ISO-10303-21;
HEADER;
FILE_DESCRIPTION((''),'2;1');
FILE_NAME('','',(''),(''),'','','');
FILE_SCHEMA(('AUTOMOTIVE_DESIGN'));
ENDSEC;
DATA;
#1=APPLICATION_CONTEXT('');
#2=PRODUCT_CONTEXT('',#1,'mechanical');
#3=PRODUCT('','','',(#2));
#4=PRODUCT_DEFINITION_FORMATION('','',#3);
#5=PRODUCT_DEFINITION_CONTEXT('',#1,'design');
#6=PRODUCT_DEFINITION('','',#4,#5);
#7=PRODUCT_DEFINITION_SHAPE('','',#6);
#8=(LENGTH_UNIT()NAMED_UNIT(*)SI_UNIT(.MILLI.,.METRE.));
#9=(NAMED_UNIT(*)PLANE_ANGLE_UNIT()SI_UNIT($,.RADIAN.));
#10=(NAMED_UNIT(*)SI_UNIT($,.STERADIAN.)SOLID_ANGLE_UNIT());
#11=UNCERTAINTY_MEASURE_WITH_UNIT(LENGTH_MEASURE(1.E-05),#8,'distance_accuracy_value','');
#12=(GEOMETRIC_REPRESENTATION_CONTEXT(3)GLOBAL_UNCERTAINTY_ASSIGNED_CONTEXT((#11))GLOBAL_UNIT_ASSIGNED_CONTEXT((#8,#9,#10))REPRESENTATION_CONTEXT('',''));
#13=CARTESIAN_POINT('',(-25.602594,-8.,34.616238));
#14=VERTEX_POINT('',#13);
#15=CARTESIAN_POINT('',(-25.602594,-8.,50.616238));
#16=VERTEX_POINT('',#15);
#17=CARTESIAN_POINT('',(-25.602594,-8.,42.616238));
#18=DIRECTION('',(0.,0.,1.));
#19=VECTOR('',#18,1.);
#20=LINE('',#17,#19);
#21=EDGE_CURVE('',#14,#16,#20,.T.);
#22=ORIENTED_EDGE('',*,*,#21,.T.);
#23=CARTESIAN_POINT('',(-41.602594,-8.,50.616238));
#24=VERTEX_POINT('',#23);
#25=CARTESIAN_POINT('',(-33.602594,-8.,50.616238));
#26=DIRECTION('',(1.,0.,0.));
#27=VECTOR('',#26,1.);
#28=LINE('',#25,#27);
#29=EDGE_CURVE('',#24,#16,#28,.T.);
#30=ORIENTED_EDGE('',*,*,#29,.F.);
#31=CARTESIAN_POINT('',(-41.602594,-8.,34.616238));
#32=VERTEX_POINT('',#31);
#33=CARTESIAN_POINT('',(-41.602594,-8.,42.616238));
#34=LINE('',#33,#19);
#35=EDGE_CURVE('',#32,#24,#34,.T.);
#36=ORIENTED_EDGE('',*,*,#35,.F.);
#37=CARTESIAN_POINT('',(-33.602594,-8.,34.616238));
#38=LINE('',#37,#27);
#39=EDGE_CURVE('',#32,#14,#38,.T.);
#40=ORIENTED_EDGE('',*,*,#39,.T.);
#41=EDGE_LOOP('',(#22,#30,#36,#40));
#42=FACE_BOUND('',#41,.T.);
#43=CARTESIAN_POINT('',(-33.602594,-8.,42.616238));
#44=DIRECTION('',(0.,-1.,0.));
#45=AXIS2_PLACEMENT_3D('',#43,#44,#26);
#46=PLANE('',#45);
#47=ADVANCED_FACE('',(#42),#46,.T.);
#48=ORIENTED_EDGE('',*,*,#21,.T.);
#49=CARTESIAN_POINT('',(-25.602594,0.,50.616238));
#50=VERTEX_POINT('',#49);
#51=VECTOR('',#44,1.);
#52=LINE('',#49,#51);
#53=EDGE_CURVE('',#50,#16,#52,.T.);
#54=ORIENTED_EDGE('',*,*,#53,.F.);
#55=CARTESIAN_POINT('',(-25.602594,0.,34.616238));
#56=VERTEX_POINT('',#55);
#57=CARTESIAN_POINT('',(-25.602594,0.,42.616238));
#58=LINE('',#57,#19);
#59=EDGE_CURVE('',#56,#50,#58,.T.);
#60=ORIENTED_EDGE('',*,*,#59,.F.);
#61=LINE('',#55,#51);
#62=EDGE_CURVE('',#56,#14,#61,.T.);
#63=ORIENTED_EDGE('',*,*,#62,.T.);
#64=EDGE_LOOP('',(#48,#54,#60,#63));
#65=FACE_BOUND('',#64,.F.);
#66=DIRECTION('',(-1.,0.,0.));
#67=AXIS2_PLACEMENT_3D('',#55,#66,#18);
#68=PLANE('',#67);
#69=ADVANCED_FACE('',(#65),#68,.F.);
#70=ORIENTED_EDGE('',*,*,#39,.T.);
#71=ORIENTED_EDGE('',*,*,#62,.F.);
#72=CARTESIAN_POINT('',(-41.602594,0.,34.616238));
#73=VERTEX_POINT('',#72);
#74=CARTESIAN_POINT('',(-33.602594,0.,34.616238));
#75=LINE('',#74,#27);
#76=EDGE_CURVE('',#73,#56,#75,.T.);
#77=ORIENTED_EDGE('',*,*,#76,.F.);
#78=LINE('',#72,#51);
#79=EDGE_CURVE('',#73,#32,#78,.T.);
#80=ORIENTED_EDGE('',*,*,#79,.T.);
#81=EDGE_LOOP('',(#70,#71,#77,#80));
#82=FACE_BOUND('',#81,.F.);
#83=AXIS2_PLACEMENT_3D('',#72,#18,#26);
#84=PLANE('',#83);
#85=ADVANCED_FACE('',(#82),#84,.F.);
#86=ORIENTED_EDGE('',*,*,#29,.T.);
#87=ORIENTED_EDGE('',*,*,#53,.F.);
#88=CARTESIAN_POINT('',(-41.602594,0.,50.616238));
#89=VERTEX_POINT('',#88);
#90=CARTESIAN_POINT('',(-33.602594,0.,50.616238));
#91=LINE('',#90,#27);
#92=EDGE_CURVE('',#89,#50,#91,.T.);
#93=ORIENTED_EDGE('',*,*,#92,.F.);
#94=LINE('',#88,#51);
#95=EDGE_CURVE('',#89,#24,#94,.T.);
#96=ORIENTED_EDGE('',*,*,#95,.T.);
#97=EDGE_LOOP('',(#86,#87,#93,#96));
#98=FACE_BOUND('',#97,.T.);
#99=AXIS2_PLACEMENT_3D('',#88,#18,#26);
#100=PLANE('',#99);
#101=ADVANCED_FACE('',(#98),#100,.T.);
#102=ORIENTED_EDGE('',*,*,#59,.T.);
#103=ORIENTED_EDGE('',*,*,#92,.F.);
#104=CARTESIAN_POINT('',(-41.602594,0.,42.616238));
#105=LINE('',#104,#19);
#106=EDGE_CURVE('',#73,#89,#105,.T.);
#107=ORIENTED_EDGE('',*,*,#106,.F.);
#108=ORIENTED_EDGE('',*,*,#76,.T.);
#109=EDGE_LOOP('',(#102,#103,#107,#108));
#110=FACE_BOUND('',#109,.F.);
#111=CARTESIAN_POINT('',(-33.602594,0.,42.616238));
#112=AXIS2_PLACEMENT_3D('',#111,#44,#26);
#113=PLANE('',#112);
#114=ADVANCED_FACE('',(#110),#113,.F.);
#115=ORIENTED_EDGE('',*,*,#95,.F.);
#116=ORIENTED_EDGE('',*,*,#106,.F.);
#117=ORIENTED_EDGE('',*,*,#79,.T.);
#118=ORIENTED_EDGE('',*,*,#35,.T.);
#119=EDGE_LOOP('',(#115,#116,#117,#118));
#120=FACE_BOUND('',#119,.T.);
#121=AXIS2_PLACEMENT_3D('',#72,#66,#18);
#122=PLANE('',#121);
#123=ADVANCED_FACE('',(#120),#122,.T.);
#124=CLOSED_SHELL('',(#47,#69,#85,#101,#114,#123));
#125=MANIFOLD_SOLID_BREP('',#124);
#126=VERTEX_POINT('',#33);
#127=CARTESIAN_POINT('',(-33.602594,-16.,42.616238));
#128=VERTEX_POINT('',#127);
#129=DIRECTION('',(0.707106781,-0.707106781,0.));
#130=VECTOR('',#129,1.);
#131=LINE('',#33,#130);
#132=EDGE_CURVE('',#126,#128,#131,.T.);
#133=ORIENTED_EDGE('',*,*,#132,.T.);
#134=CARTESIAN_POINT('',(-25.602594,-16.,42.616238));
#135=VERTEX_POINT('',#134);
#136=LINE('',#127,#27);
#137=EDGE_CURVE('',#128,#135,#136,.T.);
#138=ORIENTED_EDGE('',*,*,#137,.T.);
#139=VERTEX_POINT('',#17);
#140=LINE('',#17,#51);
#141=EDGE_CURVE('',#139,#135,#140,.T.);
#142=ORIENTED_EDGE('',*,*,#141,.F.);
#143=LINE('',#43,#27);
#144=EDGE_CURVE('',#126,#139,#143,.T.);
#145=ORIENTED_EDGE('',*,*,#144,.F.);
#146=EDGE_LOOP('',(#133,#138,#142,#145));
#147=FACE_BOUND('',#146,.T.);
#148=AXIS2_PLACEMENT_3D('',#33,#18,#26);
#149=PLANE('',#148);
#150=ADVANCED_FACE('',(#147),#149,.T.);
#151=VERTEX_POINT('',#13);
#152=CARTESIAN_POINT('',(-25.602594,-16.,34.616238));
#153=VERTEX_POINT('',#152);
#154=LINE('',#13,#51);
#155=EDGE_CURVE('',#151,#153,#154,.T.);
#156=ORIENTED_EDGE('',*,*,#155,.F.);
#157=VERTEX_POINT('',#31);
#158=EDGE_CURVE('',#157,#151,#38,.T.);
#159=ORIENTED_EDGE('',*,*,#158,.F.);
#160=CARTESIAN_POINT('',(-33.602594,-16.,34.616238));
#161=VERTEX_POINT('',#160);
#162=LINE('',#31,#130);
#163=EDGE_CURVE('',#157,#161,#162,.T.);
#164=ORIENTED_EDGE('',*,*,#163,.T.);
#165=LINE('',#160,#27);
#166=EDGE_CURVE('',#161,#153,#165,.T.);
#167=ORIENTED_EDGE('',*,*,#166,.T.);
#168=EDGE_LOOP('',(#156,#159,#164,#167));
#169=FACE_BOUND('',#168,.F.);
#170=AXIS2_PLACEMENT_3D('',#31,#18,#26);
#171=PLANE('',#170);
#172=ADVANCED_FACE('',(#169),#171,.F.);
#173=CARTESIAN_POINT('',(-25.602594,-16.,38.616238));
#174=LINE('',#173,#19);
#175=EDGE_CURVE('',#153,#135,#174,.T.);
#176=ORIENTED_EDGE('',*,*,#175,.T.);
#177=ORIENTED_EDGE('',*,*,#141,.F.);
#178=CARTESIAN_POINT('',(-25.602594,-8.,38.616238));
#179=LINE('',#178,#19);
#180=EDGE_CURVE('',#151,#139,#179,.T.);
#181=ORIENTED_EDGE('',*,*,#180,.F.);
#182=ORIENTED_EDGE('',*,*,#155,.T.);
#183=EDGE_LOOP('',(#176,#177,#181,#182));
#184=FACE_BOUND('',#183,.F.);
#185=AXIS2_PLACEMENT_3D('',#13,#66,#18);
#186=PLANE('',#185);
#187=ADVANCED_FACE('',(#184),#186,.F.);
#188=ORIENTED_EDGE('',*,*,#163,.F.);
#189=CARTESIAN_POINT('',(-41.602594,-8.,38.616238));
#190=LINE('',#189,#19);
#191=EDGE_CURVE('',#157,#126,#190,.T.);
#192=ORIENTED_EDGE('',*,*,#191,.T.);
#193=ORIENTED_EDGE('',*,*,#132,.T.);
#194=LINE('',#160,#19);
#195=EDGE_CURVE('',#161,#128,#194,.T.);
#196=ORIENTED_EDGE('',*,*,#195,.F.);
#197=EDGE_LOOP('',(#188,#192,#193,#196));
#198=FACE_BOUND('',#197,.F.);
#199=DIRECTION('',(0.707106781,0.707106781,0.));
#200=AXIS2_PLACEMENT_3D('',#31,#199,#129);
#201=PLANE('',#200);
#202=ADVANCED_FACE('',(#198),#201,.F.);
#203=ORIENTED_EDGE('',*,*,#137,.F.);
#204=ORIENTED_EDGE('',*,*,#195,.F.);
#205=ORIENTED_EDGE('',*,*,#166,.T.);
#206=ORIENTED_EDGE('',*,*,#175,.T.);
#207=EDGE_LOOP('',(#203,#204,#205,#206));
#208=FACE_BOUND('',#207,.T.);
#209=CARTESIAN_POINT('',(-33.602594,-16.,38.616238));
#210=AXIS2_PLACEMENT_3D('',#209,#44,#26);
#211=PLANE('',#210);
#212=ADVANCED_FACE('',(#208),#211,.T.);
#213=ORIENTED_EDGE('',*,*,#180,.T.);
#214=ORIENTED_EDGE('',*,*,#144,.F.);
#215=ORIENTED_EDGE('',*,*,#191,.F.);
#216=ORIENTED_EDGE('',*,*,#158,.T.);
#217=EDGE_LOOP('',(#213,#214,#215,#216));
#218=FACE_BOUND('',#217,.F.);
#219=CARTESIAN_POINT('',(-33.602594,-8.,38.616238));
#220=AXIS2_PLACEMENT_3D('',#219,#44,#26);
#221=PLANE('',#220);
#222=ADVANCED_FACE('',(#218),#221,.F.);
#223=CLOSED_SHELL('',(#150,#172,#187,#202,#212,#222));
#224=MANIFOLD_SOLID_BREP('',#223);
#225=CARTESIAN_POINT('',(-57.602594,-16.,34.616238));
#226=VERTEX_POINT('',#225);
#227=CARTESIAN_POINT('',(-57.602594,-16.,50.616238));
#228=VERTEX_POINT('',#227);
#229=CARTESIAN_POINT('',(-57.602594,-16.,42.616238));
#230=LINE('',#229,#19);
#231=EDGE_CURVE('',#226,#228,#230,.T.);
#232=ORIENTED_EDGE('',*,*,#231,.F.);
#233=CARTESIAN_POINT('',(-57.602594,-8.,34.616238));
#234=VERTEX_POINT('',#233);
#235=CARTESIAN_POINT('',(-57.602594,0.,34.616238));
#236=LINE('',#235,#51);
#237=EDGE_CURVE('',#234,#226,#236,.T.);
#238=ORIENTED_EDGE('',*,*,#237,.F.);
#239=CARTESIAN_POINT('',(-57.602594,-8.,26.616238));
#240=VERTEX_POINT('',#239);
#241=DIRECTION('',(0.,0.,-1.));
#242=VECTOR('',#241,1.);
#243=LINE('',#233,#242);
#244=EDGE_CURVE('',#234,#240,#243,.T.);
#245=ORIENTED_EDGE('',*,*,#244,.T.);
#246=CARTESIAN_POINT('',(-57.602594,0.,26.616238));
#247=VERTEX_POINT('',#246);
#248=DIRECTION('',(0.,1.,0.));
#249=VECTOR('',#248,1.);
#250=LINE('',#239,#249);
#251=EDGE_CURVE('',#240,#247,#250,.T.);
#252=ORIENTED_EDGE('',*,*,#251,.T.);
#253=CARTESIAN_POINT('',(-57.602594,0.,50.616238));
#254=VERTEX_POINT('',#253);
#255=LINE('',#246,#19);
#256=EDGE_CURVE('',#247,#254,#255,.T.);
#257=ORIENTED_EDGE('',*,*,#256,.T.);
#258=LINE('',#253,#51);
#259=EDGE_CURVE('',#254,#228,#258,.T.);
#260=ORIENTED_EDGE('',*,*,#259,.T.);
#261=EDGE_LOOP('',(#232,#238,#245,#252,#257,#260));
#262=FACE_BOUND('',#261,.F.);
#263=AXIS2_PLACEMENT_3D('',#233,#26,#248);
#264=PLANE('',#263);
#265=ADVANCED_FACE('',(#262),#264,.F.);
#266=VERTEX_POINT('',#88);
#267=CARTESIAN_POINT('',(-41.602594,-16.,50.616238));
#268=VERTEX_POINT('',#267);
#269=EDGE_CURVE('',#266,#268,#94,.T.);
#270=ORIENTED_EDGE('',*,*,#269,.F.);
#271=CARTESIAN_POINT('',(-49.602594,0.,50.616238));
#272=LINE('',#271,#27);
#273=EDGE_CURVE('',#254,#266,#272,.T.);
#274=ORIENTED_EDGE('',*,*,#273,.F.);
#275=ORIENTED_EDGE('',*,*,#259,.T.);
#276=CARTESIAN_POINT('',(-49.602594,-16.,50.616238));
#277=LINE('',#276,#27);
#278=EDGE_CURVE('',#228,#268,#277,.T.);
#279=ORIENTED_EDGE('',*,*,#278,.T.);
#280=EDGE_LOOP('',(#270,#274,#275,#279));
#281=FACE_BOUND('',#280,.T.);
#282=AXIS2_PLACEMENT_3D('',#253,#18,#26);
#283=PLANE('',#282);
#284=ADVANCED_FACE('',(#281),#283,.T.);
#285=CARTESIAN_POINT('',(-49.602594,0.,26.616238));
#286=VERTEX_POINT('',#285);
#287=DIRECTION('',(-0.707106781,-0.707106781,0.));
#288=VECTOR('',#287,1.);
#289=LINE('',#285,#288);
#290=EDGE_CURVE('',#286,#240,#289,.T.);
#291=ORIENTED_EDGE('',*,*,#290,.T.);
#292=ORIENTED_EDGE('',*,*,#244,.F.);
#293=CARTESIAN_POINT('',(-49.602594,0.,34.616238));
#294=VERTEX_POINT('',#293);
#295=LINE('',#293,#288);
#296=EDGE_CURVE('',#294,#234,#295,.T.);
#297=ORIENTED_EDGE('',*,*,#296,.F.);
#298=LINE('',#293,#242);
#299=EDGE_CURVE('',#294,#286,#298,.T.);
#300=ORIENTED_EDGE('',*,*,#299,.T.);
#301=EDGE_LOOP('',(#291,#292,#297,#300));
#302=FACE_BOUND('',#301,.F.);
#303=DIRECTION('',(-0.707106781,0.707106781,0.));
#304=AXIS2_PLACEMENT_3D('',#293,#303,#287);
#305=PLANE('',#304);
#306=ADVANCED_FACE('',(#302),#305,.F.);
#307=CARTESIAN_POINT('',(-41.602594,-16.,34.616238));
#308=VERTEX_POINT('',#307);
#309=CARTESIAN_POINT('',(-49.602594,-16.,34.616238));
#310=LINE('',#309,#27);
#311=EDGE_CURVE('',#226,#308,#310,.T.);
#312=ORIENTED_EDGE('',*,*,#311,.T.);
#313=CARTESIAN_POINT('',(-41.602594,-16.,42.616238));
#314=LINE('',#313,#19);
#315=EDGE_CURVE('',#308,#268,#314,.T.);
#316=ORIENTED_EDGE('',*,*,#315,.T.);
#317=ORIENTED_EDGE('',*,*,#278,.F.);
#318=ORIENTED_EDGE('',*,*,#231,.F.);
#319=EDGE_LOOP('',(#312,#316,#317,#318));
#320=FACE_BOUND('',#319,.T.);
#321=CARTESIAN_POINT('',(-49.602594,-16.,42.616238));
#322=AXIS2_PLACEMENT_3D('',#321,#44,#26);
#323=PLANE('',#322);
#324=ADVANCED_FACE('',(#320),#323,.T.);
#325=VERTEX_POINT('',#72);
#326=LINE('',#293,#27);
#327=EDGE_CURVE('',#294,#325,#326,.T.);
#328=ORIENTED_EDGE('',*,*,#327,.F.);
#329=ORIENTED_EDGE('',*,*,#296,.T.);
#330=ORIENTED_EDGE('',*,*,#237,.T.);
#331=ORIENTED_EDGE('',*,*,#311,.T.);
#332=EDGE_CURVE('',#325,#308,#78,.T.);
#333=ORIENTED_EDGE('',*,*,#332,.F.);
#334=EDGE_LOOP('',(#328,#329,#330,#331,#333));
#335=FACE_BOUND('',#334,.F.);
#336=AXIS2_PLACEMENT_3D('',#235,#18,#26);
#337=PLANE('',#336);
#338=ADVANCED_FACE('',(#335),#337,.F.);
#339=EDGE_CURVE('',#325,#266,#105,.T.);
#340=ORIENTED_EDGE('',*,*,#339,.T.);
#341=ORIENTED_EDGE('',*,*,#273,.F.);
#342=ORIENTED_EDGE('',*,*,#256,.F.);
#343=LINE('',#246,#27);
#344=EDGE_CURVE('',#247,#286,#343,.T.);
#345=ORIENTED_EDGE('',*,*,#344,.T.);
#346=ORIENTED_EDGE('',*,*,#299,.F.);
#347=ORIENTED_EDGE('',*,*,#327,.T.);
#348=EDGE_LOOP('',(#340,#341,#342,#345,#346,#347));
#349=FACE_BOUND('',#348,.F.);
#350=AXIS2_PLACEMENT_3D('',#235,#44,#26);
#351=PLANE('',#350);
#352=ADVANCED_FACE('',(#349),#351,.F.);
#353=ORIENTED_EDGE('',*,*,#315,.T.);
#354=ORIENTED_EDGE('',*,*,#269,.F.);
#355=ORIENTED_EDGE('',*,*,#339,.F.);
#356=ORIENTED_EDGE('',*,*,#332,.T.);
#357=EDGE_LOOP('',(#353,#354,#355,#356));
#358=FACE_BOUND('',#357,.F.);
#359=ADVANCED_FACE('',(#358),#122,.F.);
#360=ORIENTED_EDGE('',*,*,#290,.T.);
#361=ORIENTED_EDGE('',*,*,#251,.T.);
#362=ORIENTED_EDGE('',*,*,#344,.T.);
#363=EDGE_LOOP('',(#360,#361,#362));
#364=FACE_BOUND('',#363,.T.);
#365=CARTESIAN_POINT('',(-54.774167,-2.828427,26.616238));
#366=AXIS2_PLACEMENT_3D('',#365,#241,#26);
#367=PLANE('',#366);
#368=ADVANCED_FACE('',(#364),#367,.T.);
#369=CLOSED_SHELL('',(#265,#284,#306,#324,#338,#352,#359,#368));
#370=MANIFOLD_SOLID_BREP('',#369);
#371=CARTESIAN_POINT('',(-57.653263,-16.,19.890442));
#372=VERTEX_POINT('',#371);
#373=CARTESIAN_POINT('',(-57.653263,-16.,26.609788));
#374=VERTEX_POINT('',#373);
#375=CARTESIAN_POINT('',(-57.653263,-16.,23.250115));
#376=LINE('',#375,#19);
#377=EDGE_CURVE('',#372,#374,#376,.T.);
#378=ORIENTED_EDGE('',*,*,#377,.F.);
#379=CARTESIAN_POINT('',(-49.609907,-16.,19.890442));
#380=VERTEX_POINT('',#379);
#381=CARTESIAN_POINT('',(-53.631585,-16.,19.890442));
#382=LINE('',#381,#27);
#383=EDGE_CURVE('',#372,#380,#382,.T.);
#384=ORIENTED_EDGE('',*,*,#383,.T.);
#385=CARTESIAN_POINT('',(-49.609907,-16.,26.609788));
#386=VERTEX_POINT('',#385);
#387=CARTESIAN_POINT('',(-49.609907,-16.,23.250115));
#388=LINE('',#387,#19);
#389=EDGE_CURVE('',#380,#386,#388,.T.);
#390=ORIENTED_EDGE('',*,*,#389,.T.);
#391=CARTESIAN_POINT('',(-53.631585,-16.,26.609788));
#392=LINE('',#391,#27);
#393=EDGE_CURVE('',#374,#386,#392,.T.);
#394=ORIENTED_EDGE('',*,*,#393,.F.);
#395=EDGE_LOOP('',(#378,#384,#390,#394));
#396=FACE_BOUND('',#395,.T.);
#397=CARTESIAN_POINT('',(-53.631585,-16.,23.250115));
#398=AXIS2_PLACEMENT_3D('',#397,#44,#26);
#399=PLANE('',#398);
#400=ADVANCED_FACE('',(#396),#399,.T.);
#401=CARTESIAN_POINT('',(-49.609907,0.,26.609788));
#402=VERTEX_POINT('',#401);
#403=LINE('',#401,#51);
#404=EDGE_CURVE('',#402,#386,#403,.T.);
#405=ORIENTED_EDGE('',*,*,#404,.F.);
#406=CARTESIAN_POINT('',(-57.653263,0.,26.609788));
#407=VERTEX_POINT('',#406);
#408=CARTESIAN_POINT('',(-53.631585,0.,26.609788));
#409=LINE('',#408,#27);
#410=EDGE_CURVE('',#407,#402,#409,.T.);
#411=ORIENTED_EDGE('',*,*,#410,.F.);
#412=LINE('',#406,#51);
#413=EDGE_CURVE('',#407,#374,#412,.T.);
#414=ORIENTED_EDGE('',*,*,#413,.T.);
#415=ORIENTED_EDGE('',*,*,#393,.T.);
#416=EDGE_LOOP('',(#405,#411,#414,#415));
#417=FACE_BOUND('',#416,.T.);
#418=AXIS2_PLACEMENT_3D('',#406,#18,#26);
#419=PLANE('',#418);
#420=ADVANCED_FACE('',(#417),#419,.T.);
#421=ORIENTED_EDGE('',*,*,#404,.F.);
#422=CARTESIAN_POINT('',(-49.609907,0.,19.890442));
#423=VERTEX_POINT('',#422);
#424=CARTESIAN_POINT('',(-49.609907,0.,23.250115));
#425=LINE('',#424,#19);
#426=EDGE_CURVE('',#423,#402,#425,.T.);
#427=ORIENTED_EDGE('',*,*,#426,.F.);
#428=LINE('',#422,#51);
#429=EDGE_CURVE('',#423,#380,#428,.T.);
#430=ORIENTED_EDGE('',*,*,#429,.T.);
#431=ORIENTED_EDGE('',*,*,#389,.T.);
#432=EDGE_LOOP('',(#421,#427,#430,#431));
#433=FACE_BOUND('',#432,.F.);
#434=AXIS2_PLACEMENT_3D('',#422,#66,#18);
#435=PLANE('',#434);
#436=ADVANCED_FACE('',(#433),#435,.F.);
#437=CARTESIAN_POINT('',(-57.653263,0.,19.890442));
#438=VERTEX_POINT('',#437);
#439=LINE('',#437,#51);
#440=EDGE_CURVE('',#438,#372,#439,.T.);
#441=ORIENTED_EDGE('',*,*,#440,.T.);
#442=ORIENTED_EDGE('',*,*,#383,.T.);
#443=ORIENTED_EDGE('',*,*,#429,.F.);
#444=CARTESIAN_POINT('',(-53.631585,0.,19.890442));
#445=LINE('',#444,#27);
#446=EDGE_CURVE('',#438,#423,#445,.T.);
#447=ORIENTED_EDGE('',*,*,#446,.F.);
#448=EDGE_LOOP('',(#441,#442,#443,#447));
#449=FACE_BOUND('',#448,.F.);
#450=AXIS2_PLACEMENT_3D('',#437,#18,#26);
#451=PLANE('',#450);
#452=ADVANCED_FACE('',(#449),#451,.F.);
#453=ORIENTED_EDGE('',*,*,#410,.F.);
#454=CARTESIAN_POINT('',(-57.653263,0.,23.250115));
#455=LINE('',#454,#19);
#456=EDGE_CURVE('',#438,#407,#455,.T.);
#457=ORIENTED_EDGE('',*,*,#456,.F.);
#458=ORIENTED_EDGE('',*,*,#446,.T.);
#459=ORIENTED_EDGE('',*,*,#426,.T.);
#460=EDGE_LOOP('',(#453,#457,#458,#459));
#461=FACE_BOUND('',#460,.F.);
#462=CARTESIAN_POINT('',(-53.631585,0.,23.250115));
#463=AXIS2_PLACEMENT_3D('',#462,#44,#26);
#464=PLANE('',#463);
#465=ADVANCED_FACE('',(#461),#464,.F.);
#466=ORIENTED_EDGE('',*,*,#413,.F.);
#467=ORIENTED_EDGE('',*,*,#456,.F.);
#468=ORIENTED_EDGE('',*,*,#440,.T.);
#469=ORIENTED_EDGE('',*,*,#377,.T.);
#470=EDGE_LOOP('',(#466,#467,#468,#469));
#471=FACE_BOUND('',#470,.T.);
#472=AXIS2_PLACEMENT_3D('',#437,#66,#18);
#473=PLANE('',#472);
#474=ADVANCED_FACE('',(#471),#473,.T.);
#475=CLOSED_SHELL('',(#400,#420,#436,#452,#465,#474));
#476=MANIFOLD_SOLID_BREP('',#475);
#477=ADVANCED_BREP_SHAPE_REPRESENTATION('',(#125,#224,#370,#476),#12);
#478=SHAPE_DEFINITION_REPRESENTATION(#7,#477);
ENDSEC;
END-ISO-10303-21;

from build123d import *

# Parameters (mm, degrees)
F0_W      = 16
F0_H      = 16
F1_DEPTH  = 8
F2_DEPTH  = 16
F3_W      = 16
F3_H      = 8
F4_DEPTH  = 8
F6_DEPTH  = 8
F8_DEPTH  = 8
F9_W      = 8.043356
F9_H      = 6.719346
F10_DEPTH = 16


with BuildPart() as f1:
    # F0 (on Front) → F1 (new body)
    with BuildSketch(Plane.XZ):
        with Locations((-33.602594, 42.616238)):
            Rectangle(F0_W, F0_H)
    extrude(amount=F1_DEPTH)


with BuildPart() as f2:
    # F0 (on Front) → F2 (new body)
    with BuildSketch(Plane.XZ):
        with Locations((-49.602594, 42.616238)):
            Rectangle(F0_W, F0_H)
    extrude(amount=F2_DEPTH)

    # F7 (on face) → F8 (join)
    with BuildSketch(Plane(origin=(0, 0, 34.616238), x_dir=(1, 0, 0), z_dir=(0, 0, -1))):
        Polygon((-49.602594, 0), (-57.602594, 8), (-57.602594, 0), align=None)
    extrude(amount=F8_DEPTH)


with BuildPart() as f4:
    # F3 (on face) → F4 (new body)
    with BuildSketch(Plane.XZ.offset(8)):
        with Locations((-33.602594, 38.616238)):
            Rectangle(F3_W, F3_H)
    extrude(amount=F4_DEPTH)

    # F5 (on face) → F6 (cut)
    with BuildSketch(Plane(origin=(0, 0, 34.616238), x_dir=(1, 0, 0), z_dir=(0, 0, -1))):
        Polygon((-41.602594, 8), (-33.602594, 16), (-41.602594, 16), align=None)
    extrude(amount=-F6_DEPTH, mode=Mode.SUBTRACT)


with BuildPart() as f10:
    # F9 (on Front) → F10 (new body)
    with BuildSketch(Plane.XZ):
        with Locations((-53.631585, 23.250115)):
            Rectangle(F9_W, F9_H)
    extrude(amount=F10_DEPTH)


solid = Compound([f1.part, f2.part, f4.part, f10.part])
